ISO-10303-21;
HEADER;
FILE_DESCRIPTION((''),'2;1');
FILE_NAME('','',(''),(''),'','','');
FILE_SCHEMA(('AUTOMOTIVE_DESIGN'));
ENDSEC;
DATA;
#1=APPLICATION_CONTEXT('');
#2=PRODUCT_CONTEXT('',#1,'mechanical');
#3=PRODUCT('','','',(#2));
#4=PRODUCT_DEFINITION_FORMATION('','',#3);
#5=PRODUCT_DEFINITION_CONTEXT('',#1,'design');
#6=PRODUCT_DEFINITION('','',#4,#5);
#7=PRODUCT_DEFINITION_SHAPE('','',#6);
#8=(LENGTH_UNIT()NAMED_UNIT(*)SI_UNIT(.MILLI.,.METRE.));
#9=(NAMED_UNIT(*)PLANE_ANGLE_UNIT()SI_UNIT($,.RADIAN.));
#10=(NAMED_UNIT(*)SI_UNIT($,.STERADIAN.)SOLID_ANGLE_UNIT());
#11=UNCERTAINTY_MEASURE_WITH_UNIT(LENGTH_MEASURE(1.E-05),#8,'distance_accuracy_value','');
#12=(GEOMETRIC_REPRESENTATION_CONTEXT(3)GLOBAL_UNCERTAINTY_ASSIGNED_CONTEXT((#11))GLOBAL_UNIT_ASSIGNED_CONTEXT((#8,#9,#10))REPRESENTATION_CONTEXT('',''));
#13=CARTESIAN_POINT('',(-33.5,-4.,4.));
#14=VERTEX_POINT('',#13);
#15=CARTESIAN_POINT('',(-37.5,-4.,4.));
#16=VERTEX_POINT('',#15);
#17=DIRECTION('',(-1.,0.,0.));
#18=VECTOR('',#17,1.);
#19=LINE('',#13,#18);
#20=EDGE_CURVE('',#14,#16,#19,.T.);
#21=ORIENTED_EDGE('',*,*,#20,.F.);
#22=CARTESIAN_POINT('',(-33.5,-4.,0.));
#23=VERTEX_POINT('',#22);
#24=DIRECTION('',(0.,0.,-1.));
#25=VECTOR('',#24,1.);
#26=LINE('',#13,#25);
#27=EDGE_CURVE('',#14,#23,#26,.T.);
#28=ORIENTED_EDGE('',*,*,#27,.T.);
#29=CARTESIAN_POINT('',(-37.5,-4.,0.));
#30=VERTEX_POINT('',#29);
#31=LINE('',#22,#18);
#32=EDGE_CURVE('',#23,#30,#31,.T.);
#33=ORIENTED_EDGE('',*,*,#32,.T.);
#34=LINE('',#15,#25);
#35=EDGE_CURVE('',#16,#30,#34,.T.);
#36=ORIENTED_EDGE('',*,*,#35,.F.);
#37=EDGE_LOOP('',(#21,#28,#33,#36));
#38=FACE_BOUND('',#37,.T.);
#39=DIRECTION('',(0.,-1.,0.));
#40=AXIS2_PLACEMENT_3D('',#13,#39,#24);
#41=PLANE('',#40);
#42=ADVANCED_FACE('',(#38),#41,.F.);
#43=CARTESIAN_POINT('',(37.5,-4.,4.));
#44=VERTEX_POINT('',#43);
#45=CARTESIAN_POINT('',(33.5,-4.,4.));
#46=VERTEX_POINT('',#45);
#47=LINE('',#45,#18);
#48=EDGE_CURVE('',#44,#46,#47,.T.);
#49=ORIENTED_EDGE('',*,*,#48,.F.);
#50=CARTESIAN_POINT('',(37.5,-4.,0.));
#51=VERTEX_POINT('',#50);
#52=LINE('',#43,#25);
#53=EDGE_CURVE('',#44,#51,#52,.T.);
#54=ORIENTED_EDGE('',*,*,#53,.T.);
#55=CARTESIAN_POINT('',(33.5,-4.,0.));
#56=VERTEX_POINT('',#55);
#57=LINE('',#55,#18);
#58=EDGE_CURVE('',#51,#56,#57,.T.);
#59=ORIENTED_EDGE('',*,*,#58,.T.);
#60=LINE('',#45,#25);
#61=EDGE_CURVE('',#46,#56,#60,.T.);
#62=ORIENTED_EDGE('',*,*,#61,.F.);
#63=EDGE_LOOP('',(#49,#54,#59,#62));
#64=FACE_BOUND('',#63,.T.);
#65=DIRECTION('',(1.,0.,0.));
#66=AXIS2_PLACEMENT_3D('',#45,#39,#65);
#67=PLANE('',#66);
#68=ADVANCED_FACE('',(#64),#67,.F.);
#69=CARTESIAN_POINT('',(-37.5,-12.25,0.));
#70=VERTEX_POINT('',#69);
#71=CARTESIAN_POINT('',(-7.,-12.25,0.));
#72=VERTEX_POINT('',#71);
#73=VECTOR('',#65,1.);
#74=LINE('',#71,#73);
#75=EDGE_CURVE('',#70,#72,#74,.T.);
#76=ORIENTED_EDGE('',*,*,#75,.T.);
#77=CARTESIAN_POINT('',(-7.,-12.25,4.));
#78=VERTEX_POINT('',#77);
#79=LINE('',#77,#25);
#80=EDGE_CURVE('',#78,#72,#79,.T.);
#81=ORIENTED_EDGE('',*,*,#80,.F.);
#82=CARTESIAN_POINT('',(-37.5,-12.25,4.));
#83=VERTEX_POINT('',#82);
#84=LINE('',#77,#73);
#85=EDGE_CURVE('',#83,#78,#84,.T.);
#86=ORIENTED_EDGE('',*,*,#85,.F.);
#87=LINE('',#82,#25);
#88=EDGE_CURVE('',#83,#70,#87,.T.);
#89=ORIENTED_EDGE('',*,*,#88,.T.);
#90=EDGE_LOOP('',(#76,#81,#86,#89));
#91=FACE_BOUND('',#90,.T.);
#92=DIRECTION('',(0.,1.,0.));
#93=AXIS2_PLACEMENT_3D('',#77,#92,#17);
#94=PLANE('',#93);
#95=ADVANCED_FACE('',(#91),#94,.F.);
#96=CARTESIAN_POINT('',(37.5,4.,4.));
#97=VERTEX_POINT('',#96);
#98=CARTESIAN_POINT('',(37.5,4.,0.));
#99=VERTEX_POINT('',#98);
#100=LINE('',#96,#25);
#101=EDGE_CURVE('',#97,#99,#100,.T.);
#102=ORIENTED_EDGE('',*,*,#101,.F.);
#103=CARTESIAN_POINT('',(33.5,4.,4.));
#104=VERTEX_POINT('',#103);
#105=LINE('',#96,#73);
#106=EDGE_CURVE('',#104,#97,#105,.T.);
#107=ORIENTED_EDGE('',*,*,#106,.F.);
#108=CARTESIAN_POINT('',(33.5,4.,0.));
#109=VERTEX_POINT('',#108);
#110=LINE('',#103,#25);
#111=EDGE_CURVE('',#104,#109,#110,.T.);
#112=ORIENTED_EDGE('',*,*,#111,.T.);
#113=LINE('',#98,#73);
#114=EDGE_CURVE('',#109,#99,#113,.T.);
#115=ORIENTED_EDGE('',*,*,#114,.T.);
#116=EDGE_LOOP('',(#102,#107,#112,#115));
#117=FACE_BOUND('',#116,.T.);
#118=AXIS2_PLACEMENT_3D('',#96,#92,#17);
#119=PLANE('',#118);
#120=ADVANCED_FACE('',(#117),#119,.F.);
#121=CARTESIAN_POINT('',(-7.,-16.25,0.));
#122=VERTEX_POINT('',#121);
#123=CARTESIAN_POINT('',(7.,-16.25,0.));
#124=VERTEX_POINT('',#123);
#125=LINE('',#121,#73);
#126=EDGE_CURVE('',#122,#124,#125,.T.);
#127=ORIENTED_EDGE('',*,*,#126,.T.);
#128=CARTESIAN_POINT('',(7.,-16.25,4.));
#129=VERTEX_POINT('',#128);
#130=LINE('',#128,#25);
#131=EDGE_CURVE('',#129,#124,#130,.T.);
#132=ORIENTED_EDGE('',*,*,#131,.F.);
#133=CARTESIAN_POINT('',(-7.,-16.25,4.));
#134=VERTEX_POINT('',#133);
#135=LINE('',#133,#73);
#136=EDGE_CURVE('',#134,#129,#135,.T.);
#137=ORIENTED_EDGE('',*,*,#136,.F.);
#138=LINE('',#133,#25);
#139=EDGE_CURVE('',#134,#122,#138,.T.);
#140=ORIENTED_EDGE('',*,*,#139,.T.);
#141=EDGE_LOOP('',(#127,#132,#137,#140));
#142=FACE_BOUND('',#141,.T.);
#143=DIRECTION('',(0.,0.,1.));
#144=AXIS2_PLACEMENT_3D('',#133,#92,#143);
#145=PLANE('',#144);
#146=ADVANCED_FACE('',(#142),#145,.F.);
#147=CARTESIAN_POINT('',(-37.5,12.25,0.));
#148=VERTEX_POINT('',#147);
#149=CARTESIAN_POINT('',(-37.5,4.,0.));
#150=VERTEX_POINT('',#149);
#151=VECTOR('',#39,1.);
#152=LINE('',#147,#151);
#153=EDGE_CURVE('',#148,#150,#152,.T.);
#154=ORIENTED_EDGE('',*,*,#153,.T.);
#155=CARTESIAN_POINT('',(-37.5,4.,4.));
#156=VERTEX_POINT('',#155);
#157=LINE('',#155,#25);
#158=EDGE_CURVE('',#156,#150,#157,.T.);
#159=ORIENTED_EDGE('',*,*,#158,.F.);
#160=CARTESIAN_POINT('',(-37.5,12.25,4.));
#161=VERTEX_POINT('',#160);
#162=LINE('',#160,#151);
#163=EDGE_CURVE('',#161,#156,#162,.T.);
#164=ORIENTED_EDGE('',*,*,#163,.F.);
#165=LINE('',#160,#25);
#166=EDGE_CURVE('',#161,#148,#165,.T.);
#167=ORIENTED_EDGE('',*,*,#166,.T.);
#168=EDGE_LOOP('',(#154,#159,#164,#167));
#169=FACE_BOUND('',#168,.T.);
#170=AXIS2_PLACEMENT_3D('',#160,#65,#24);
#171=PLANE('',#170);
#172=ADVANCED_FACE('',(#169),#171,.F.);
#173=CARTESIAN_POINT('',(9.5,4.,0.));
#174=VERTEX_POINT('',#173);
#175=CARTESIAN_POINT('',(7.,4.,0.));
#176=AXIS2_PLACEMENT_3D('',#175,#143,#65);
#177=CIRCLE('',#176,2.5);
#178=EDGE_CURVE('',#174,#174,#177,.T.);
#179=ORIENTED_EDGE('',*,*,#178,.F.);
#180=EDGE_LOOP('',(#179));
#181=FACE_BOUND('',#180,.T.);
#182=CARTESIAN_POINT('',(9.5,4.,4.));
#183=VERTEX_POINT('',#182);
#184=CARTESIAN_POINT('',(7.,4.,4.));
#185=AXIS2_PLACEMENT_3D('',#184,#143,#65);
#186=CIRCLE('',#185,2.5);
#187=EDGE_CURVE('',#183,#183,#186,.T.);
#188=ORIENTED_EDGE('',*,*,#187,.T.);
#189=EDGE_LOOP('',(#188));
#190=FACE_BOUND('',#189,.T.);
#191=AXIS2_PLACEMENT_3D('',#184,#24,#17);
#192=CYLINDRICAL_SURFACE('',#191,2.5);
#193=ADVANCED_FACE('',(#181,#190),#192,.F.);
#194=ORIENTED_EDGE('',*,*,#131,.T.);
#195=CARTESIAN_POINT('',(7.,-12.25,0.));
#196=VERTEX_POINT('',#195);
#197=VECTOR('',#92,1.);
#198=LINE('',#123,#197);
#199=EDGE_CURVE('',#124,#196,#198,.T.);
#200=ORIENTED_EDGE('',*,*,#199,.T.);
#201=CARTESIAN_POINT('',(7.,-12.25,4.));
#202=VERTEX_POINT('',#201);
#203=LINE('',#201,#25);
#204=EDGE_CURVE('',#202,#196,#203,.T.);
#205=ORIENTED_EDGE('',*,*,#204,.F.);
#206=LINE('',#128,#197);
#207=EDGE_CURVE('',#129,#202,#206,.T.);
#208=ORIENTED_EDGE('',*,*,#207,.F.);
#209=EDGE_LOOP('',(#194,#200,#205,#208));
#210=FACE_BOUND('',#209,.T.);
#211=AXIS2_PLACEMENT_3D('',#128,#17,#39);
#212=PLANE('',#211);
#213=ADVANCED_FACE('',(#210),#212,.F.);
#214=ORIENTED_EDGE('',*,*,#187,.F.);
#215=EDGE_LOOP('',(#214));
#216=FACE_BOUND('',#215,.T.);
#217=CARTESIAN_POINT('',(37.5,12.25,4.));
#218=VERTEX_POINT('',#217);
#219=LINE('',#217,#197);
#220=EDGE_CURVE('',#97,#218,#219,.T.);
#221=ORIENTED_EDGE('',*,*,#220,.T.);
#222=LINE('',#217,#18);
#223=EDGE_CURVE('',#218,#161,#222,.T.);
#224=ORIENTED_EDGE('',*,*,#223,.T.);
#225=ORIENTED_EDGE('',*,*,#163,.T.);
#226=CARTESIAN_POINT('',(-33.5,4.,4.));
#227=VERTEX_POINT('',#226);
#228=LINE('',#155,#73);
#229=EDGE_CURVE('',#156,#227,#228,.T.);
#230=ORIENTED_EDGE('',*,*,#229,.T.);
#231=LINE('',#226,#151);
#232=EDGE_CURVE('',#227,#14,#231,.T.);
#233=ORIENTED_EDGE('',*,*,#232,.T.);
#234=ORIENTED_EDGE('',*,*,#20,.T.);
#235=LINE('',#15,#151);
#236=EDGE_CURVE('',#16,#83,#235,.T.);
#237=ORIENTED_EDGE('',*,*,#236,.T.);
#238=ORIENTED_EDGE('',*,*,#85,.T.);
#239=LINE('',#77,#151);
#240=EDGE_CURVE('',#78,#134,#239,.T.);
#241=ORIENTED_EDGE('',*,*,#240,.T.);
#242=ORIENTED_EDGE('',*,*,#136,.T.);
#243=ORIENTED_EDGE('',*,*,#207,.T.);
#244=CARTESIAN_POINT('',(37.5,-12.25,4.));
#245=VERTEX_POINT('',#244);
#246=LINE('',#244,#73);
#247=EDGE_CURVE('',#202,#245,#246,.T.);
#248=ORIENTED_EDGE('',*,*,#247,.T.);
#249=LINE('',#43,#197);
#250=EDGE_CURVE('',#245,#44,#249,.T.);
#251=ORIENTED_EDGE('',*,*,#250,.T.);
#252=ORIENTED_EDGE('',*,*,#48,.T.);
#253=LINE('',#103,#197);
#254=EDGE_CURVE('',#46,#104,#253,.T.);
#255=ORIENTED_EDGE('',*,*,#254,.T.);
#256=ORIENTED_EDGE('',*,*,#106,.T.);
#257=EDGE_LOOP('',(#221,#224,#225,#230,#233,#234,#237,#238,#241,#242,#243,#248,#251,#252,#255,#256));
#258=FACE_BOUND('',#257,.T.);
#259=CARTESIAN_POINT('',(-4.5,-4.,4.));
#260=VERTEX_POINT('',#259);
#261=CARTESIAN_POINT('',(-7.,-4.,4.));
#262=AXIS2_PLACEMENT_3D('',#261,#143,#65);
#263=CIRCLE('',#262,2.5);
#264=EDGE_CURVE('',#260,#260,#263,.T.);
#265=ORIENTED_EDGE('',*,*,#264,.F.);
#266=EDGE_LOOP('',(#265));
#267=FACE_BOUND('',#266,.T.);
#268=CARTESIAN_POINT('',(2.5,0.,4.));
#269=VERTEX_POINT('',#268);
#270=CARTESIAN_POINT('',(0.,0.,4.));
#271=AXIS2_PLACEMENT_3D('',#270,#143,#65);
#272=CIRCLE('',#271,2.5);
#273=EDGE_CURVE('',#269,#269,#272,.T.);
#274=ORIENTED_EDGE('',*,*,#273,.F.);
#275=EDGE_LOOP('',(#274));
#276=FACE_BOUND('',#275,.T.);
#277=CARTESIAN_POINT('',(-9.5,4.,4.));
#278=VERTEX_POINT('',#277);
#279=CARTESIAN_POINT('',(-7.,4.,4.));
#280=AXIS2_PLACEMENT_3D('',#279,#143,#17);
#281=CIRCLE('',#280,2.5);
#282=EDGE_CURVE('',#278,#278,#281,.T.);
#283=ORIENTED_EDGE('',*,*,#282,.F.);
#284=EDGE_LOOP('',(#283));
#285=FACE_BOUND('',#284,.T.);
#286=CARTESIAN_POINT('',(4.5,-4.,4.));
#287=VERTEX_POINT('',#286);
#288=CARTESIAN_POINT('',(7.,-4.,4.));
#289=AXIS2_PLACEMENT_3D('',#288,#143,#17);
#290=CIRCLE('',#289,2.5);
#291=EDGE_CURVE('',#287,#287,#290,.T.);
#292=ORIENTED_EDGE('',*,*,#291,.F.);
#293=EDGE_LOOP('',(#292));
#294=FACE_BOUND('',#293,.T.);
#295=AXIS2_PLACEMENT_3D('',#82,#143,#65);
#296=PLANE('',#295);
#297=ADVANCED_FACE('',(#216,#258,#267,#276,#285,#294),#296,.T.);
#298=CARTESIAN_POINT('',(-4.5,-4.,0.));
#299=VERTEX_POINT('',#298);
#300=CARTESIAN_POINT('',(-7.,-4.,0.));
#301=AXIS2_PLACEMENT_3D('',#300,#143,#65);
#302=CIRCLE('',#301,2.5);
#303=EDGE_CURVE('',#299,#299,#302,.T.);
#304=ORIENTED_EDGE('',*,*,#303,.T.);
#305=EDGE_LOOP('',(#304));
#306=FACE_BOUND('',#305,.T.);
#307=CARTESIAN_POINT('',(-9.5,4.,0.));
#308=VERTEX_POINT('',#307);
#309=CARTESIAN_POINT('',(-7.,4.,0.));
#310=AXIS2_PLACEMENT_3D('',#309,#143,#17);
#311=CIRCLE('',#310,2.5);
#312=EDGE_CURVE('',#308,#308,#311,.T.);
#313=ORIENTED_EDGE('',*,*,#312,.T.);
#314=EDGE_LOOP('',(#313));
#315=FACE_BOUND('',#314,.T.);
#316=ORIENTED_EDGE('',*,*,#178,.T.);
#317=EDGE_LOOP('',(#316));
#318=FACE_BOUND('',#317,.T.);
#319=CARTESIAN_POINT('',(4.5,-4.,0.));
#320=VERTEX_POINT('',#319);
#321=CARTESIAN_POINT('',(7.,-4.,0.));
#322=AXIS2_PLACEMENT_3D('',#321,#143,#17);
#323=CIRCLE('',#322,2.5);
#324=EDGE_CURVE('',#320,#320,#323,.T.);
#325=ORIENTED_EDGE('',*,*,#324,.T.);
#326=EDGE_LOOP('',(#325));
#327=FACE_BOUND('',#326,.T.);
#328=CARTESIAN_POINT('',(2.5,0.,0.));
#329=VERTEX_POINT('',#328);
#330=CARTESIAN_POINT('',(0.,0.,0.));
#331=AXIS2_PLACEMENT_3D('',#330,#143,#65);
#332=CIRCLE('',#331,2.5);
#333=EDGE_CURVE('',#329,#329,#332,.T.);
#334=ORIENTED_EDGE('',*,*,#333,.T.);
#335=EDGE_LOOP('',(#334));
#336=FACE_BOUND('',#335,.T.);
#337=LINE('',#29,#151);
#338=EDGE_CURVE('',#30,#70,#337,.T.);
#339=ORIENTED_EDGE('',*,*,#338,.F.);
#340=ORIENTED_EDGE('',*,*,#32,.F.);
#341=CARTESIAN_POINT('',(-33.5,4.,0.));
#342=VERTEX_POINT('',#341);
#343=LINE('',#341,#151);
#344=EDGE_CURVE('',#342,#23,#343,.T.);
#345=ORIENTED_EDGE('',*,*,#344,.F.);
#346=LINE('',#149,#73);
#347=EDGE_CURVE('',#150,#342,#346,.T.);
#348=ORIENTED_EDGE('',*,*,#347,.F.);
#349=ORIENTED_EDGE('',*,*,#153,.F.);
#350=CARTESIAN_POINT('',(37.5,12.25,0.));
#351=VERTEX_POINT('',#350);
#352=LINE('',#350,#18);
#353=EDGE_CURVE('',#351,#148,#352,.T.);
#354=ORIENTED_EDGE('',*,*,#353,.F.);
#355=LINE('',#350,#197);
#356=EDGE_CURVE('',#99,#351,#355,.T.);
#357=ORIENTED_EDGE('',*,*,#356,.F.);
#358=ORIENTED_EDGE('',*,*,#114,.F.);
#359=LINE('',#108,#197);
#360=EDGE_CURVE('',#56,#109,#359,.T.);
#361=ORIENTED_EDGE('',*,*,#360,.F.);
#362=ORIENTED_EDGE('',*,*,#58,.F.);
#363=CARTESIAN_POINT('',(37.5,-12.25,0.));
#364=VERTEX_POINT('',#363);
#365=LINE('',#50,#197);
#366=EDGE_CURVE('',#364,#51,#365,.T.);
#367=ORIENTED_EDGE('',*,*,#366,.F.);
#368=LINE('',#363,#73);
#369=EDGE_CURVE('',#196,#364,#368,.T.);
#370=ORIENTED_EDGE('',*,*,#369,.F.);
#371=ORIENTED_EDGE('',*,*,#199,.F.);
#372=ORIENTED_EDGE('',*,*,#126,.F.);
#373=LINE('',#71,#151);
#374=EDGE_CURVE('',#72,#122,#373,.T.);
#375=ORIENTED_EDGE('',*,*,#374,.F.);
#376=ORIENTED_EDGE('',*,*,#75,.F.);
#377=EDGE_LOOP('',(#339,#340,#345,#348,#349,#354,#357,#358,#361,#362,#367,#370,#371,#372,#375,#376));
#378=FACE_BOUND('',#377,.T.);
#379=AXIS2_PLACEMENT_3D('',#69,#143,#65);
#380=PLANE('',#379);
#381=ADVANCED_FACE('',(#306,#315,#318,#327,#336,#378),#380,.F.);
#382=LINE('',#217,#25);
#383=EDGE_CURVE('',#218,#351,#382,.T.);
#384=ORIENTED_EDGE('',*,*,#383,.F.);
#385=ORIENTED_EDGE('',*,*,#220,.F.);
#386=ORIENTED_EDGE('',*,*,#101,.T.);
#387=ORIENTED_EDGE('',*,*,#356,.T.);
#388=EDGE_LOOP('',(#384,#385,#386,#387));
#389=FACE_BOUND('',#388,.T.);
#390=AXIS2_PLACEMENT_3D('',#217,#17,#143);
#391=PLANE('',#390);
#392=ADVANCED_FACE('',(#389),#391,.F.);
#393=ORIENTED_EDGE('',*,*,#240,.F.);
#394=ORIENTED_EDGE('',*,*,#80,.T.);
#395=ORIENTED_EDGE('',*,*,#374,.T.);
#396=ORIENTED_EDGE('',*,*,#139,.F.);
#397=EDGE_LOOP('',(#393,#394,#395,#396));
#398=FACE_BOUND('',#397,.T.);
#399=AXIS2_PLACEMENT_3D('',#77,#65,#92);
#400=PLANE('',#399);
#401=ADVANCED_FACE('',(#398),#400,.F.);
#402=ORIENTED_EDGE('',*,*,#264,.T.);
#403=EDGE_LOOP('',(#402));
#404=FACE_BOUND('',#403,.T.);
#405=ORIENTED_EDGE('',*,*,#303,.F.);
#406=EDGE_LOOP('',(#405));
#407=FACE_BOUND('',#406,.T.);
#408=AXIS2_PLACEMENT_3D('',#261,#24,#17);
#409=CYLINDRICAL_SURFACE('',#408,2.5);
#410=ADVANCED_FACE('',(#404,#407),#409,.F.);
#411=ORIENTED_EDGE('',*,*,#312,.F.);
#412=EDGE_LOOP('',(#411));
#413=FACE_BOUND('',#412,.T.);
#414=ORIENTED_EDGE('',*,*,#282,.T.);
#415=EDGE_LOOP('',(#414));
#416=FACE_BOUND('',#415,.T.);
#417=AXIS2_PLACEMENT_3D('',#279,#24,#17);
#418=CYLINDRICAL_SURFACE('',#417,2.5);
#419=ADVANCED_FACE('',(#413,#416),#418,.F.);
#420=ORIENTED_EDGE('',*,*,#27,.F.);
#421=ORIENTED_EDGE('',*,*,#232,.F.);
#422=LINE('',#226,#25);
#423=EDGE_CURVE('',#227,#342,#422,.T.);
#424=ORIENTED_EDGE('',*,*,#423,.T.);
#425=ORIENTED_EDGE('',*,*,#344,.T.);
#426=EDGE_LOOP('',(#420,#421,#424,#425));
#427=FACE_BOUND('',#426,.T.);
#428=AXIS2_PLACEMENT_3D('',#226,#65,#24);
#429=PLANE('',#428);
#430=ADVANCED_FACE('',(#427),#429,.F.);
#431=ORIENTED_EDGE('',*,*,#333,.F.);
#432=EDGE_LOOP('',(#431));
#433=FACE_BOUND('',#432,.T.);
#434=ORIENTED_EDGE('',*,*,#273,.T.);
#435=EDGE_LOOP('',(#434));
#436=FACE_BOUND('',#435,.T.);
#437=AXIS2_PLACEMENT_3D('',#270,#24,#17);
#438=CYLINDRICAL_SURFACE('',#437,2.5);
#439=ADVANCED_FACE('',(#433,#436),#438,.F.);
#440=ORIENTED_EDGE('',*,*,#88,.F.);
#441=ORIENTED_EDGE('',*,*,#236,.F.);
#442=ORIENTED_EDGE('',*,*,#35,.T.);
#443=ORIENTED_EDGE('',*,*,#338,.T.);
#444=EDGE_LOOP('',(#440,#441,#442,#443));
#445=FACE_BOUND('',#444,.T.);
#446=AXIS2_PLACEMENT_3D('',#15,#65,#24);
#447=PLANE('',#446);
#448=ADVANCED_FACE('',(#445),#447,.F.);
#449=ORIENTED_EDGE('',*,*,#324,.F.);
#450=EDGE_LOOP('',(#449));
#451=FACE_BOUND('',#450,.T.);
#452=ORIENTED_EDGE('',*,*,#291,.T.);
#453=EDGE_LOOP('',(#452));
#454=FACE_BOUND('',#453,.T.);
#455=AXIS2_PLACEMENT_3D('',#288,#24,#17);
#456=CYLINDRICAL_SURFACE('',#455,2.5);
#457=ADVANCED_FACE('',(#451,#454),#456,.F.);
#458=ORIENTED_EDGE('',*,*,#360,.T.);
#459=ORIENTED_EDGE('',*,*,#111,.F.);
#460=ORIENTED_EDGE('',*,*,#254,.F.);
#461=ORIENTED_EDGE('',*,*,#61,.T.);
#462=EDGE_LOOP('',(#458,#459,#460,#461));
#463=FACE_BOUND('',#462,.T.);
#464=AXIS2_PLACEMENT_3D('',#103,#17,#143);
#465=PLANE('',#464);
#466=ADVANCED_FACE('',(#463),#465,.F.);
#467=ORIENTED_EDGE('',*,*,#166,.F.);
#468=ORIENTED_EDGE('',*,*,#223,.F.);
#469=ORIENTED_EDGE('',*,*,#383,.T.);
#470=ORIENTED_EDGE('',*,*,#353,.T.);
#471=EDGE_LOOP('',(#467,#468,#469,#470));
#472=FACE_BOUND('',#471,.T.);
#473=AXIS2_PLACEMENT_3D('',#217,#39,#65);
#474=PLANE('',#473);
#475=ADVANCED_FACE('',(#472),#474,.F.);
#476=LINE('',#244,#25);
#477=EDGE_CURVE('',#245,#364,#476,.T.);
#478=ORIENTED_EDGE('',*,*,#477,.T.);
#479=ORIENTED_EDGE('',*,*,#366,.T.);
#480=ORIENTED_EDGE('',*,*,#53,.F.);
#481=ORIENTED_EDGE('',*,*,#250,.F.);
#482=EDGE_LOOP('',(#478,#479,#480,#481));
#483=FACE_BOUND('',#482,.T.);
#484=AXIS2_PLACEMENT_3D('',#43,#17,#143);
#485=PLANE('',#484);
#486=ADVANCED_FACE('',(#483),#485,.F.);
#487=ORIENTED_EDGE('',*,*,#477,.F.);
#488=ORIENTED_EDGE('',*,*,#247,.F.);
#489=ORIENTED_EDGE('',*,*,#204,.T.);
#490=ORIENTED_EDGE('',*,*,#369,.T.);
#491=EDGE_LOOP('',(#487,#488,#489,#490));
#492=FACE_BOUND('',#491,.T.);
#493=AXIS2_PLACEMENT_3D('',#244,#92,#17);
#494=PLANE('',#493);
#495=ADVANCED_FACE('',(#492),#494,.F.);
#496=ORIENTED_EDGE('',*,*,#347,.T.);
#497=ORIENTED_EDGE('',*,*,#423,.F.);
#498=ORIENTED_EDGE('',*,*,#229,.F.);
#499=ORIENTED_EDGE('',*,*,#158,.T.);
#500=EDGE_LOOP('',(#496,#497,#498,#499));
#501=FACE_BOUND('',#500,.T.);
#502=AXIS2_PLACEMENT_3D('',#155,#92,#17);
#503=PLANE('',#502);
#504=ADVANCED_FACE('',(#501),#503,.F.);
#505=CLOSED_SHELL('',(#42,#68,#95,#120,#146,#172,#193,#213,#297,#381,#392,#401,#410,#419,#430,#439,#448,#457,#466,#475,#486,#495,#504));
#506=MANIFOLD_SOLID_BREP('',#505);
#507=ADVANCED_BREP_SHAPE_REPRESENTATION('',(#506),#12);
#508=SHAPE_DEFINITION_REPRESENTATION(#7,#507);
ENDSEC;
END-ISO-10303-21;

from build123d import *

# Parameters (mm, degrees)
CROQUIS1_R              = 2.5
SALIENTE_EXTRUIR1_DEPTH = 4


with BuildPart() as part:
    # Croquis1 → Saliente-Extruir1 (new body)
    with BuildSketch(Plane.XY):
        Polygon((37.5, 12.25), (-37.5, 12.25), (-37.5, 4), (-33.5, 4), (-33.5, -4), (-37.5, -4), (-37.5, -12.25), (-7, -12.25), (-7, -16.25), (7, -16.25), (7, -12.25), (37.5, -12.25), (37.5, -4), (33.5, -4), (33.5, 4), (37.5, 4), align=None)
        Circle(CROQUIS1_R, mode=Mode.SUBTRACT)
        with Locations((7, 4)):
            Circle(CROQUIS1_R, mode=Mode.SUBTRACT)
        with Locations(Location((7, -4, 0), (0, 0, 180))):
            Circle(CROQUIS1_R, mode=Mode.SUBTRACT)
        with Locations((-7, -4)):
            Circle(CROQUIS1_R, mode=Mode.SUBTRACT)
        with Locations(Location((-7, 4, 0), (0, 0, 180))):
            Circle(CROQUIS1_R, mode=Mode.SUBTRACT)
    extrude(amount=SALIENTE_EXTRUIR1_DEPTH)


solid = part.part
